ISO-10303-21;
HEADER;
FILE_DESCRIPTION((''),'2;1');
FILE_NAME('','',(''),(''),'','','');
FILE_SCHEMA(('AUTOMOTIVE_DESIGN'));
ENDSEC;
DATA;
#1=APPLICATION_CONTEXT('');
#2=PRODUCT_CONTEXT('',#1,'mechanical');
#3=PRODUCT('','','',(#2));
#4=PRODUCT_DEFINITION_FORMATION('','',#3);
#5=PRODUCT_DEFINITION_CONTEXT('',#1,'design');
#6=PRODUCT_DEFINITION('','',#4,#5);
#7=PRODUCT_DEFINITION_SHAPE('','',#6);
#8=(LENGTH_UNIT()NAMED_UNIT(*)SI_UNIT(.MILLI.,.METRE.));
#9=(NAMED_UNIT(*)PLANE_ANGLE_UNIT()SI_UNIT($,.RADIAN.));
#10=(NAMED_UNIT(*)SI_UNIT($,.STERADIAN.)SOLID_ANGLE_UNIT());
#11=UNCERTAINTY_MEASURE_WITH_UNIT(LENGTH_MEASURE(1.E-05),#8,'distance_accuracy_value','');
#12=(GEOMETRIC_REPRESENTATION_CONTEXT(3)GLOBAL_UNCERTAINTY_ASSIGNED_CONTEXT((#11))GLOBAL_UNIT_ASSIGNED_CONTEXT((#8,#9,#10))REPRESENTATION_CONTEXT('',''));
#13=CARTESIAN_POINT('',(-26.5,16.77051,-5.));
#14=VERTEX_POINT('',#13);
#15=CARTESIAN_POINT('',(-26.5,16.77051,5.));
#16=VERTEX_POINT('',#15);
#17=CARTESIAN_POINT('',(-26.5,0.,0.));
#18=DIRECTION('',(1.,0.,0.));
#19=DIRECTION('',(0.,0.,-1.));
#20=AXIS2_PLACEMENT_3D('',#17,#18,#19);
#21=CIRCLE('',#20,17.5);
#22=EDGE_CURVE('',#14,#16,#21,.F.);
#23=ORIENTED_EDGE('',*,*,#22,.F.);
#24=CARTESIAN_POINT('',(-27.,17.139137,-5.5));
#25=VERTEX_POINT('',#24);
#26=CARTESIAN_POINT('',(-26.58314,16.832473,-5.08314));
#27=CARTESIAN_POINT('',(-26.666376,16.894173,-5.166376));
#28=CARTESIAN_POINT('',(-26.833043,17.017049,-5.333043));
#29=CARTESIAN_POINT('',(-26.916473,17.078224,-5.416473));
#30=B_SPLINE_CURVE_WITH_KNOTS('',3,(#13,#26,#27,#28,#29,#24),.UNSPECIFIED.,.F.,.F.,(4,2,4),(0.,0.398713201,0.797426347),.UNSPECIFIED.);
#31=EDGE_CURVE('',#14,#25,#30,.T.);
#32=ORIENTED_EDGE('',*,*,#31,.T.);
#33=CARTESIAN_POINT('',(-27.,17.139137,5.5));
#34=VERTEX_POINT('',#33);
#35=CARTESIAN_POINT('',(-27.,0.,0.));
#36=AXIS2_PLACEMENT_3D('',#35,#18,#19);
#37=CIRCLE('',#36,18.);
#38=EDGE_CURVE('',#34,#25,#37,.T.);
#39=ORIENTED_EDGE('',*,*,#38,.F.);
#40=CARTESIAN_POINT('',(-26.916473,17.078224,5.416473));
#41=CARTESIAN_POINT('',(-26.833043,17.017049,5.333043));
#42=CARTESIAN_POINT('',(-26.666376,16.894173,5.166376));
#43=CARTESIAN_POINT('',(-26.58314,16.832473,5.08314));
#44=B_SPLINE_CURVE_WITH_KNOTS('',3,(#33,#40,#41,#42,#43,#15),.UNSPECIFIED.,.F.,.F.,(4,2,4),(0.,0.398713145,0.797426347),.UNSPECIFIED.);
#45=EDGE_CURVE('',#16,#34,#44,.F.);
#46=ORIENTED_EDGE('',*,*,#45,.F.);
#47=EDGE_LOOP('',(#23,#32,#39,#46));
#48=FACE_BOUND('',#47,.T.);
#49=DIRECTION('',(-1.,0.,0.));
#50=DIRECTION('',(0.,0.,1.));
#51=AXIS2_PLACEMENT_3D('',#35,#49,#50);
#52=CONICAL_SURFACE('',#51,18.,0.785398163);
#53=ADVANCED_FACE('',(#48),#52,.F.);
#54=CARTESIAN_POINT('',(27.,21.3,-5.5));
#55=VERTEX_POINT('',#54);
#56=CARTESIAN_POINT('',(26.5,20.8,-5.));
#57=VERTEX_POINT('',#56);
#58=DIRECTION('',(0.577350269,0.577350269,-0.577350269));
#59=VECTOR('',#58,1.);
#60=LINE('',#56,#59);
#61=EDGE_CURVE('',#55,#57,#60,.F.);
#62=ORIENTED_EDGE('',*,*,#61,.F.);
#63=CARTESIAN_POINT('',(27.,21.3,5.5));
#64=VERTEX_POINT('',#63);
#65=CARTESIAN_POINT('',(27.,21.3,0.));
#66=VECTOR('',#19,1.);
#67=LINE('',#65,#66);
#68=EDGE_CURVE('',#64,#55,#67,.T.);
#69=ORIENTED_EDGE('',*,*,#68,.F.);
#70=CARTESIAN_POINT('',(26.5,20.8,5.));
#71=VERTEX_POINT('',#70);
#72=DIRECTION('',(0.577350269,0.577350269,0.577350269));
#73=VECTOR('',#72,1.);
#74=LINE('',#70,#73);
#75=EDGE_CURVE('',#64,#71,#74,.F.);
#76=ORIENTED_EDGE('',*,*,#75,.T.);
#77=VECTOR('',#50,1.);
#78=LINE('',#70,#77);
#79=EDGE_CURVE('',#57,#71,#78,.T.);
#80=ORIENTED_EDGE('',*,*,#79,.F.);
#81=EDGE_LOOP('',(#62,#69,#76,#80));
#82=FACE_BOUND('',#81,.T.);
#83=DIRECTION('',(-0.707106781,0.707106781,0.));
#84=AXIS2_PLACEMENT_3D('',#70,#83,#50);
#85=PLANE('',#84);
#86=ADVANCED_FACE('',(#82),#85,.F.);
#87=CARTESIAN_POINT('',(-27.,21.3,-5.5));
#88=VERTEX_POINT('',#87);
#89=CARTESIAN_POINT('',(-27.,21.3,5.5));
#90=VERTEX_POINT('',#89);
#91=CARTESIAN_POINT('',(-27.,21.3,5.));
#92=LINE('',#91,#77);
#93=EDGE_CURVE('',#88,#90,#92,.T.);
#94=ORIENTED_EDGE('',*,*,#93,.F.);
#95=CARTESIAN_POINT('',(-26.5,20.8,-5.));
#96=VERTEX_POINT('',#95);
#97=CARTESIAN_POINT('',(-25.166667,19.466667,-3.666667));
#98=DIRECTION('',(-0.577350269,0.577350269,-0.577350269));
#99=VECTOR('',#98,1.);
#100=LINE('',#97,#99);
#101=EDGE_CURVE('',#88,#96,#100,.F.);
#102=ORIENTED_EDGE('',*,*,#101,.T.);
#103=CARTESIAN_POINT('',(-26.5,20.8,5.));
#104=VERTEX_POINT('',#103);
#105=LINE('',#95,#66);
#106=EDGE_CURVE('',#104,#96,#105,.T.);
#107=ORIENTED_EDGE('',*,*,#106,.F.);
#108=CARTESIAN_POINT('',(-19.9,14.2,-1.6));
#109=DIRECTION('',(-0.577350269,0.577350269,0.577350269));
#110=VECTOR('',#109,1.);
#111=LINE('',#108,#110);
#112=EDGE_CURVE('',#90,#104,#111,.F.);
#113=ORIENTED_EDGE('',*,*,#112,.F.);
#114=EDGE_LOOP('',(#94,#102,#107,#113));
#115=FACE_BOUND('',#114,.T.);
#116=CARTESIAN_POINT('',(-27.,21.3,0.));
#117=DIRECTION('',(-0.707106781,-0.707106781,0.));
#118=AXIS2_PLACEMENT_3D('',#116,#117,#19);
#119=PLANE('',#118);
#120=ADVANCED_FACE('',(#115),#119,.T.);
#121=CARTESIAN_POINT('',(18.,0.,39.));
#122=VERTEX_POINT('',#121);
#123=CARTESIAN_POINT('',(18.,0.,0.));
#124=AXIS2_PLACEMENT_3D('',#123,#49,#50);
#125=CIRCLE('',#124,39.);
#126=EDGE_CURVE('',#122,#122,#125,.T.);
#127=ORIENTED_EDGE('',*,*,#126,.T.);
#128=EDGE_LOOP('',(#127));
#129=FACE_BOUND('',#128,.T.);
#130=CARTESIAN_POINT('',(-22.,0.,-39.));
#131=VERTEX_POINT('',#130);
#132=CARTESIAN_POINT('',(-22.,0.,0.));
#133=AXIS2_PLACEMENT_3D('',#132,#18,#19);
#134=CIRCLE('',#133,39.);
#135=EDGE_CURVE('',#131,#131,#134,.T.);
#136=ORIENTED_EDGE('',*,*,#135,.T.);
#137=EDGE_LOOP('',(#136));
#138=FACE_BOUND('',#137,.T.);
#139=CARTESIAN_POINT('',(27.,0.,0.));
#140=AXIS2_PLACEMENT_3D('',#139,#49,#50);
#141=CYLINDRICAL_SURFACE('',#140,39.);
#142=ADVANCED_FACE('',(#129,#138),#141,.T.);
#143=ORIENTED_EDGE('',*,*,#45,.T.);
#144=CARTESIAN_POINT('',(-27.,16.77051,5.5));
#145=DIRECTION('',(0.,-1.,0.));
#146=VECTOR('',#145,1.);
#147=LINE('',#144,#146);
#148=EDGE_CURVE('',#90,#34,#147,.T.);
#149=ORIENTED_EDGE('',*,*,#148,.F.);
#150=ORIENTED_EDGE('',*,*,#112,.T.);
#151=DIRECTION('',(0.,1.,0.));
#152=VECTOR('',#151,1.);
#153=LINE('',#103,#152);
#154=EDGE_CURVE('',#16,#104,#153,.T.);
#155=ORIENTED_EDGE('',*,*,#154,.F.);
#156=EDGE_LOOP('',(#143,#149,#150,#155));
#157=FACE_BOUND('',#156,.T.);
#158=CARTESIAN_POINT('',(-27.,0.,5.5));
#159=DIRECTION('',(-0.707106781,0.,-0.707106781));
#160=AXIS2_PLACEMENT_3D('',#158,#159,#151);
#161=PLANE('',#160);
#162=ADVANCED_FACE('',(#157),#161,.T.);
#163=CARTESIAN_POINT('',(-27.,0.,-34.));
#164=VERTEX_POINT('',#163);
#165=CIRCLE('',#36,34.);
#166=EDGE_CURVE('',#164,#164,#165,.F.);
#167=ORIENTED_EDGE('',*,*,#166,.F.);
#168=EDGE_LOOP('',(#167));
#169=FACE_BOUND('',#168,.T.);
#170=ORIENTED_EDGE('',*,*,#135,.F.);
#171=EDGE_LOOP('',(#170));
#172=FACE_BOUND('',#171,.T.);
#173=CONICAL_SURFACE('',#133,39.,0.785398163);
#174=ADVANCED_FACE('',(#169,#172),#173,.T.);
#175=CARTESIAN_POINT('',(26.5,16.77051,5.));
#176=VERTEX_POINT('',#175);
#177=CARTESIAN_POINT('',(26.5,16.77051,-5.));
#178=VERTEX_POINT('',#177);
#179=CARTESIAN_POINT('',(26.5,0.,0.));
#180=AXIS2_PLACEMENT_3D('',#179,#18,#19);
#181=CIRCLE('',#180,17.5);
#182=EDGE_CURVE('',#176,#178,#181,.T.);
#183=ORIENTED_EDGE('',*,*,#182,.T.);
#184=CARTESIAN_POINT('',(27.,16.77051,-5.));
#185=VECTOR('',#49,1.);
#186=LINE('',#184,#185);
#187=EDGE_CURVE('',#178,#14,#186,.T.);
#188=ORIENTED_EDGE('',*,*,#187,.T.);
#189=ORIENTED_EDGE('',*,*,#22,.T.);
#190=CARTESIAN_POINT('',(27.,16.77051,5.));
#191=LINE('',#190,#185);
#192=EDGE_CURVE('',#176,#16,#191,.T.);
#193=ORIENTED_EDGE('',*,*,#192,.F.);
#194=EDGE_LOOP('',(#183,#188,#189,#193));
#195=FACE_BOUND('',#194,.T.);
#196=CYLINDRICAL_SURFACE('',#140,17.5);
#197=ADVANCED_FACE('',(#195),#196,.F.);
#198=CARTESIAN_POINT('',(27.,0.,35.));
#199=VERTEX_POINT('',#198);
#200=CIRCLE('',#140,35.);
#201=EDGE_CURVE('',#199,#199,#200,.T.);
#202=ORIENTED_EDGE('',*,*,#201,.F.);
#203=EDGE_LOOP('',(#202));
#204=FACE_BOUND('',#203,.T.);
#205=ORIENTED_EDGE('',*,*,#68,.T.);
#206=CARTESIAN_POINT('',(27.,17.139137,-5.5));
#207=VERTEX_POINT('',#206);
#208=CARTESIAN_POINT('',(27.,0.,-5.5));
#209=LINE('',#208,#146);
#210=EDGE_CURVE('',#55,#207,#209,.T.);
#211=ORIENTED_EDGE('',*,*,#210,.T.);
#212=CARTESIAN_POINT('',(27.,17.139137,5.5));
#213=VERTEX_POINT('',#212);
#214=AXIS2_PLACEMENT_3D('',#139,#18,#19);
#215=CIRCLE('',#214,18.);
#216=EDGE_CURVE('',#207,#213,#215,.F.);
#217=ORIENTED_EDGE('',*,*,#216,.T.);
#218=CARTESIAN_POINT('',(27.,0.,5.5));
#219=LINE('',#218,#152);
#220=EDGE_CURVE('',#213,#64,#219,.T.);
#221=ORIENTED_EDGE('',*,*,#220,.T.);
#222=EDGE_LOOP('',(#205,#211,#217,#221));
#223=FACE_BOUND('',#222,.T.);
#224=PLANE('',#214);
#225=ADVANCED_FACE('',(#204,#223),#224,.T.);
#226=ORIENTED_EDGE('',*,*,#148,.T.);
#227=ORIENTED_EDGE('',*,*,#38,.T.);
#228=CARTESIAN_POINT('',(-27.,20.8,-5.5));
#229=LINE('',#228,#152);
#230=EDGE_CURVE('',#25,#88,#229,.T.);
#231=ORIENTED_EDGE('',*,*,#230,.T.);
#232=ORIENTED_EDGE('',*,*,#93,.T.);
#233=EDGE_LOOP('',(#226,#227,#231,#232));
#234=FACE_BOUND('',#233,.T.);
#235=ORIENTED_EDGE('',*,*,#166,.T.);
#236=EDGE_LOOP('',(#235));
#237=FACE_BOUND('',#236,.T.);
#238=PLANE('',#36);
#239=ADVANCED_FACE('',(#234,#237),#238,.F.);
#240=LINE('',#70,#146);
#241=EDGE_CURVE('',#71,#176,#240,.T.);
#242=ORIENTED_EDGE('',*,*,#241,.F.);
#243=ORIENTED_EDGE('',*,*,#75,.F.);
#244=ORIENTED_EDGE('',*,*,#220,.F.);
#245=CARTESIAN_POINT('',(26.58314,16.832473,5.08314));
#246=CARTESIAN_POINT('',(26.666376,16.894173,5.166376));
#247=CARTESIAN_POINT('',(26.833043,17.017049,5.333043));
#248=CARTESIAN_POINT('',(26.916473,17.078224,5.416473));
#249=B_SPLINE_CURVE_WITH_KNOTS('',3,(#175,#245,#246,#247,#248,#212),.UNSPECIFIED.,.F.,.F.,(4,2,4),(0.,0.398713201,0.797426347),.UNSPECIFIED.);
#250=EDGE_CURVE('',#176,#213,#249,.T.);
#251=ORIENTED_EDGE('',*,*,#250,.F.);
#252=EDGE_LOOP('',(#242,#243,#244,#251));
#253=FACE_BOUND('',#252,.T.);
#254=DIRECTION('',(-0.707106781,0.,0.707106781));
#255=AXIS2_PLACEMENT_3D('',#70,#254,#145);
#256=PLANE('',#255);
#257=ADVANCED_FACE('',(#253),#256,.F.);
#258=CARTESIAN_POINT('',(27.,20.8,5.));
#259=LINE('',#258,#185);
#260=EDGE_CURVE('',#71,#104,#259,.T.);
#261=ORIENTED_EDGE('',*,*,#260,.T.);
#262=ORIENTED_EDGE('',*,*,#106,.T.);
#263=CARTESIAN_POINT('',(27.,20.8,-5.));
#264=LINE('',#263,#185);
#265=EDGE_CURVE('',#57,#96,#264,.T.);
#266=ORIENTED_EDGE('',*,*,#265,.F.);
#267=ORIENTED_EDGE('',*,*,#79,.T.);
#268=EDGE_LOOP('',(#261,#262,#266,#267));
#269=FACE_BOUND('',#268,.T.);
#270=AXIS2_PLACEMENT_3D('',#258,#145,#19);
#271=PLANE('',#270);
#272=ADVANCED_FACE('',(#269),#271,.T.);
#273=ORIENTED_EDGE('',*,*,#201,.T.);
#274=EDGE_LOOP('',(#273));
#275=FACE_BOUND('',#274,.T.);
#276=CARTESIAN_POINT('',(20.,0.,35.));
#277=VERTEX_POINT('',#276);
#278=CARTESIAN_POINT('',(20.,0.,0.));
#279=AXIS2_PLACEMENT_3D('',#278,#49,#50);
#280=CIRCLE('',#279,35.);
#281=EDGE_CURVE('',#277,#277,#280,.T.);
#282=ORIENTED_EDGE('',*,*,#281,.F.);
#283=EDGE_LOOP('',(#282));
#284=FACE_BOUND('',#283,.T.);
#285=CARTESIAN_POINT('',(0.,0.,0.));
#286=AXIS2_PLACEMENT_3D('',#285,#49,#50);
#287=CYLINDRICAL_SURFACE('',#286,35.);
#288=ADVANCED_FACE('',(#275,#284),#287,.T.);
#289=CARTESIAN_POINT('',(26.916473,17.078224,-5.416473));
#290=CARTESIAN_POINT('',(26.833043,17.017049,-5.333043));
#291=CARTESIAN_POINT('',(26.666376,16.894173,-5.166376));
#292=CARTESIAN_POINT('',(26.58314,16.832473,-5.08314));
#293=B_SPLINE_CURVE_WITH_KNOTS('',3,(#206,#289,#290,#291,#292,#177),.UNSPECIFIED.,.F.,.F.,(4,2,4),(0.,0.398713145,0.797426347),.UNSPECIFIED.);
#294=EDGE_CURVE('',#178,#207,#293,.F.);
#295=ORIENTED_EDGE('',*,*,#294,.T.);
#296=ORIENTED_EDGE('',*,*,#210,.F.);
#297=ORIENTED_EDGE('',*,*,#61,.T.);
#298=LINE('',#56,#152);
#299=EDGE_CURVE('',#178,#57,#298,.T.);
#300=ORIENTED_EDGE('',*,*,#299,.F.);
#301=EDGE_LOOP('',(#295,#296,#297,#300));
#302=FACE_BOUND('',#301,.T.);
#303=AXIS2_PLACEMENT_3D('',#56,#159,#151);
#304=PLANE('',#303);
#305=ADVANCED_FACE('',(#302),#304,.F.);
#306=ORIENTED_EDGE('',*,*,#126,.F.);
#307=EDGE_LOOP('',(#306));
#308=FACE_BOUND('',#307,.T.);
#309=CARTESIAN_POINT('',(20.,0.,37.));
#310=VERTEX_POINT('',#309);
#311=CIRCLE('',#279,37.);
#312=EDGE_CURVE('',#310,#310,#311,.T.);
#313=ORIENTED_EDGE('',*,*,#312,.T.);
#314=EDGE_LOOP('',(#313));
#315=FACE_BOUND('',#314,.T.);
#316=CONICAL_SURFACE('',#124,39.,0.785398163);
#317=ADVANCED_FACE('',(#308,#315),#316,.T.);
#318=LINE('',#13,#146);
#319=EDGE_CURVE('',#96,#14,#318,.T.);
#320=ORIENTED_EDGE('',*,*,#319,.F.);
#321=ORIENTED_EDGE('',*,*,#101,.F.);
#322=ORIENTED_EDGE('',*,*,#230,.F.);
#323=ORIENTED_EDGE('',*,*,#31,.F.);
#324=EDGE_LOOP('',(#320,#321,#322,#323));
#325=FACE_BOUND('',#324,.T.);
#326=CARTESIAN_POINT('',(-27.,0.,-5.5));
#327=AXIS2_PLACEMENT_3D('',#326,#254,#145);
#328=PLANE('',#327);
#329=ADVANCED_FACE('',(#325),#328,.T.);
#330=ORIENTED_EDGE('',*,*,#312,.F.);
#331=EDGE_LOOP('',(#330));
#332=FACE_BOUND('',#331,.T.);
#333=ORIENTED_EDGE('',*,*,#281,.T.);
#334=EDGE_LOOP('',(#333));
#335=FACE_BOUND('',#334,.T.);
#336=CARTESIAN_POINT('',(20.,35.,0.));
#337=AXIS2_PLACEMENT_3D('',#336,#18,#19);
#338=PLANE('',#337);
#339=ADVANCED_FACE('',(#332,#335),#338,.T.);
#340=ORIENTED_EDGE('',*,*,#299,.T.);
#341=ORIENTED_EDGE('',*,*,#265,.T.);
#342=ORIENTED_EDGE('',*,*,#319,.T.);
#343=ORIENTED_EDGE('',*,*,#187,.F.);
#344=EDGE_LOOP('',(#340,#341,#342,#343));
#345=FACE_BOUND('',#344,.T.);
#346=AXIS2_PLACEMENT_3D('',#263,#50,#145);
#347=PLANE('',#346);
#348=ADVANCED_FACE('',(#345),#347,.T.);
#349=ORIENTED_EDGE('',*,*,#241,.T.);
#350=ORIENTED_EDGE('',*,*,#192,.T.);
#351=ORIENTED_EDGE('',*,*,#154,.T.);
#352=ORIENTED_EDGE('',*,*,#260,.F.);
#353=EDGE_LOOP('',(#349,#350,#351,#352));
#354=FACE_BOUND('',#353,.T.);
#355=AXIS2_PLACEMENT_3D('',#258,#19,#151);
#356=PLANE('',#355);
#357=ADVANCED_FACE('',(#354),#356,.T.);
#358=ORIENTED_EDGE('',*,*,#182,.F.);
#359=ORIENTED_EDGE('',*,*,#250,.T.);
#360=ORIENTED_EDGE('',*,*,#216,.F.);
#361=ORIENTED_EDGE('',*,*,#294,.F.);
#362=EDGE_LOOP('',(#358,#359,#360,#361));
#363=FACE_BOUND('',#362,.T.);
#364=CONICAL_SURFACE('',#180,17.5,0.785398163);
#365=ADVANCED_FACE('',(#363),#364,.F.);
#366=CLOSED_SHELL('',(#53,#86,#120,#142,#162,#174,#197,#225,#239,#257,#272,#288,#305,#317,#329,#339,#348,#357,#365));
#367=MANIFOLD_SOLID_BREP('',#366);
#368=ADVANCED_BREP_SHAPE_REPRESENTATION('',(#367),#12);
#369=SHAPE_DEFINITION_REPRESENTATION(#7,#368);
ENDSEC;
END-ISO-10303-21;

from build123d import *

# Parameters (mm, degrees)
SKETCH_1_R      = 39
EXTRUDE_1_DEPTH = 27
CHAMFER_1_SIZE  = 5
CHAMFER_2_SIZE  = 0.5


with BuildPart() as part:
    # Эскиз1 → Бобышка-Вытянуть1 (new, symmetric)
    with BuildSketch(Plane(origin=(0, 0, 0), x_dir=(0, 0, -1), z_dir=(1, 0, 0))):
        Circle(SKETCH_1_R)
        with BuildLine():
            Line((-5, 20.8), (5, 20.8))
            Line((5, 20.8), (5, 16.770509831))
            ThreePointArc((5, 16.770509831), (0, -17.5), (-5, 16.770509831))
            Line((-5, 16.770509831), (-5, 20.8))
        make_face(mode=Mode.SUBTRACT)
    extrude(amount=EXTRUDE_1_DEPTH, both=True)

    # Фаска1
    chamfer_1_edges = [part.edges().sort_by_distance(p)[0] for p in [
        (-27, 0, 39),
    ]]
    chamfer(chamfer_1_edges, length=CHAMFER_1_SIZE)

    # Фаска2
    chamfer_2_edges = [part.edges().sort_by_distance(p)[0] for p in [
        (27, 20.8, 0),
        (27, 18.785254916, 5),
        (-27, -17.5, 0),
        (-27, 18.785254916, -5),
        (-27, 20.8, 0),
        (-27, 18.785254916, 5),
        (27, -17.5, 0),
        (27, 18.785254916, -5),
    ]]
    chamfer(chamfer_2_edges, length=CHAMFER_2_SIZE)

    # Эскиз3 → Вырез-Повернуть1 (revolve, cut)
    with BuildSketch(Plane.XY, mode=Mode.PRIVATE) as cut_revolve_1_sk:
        Polygon((27, 35), (20, 35), (20, 37), (18, 39), (27, 39), align=None)
    revolve(cut_revolve_1_sk.sketch.rotate(Axis((0, 0, 0), (1, 0, 0)), 90), axis=Axis((0, 0, 0), (1, 0, 0)), mode=Mode.SUBTRACT)


solid = part.part
